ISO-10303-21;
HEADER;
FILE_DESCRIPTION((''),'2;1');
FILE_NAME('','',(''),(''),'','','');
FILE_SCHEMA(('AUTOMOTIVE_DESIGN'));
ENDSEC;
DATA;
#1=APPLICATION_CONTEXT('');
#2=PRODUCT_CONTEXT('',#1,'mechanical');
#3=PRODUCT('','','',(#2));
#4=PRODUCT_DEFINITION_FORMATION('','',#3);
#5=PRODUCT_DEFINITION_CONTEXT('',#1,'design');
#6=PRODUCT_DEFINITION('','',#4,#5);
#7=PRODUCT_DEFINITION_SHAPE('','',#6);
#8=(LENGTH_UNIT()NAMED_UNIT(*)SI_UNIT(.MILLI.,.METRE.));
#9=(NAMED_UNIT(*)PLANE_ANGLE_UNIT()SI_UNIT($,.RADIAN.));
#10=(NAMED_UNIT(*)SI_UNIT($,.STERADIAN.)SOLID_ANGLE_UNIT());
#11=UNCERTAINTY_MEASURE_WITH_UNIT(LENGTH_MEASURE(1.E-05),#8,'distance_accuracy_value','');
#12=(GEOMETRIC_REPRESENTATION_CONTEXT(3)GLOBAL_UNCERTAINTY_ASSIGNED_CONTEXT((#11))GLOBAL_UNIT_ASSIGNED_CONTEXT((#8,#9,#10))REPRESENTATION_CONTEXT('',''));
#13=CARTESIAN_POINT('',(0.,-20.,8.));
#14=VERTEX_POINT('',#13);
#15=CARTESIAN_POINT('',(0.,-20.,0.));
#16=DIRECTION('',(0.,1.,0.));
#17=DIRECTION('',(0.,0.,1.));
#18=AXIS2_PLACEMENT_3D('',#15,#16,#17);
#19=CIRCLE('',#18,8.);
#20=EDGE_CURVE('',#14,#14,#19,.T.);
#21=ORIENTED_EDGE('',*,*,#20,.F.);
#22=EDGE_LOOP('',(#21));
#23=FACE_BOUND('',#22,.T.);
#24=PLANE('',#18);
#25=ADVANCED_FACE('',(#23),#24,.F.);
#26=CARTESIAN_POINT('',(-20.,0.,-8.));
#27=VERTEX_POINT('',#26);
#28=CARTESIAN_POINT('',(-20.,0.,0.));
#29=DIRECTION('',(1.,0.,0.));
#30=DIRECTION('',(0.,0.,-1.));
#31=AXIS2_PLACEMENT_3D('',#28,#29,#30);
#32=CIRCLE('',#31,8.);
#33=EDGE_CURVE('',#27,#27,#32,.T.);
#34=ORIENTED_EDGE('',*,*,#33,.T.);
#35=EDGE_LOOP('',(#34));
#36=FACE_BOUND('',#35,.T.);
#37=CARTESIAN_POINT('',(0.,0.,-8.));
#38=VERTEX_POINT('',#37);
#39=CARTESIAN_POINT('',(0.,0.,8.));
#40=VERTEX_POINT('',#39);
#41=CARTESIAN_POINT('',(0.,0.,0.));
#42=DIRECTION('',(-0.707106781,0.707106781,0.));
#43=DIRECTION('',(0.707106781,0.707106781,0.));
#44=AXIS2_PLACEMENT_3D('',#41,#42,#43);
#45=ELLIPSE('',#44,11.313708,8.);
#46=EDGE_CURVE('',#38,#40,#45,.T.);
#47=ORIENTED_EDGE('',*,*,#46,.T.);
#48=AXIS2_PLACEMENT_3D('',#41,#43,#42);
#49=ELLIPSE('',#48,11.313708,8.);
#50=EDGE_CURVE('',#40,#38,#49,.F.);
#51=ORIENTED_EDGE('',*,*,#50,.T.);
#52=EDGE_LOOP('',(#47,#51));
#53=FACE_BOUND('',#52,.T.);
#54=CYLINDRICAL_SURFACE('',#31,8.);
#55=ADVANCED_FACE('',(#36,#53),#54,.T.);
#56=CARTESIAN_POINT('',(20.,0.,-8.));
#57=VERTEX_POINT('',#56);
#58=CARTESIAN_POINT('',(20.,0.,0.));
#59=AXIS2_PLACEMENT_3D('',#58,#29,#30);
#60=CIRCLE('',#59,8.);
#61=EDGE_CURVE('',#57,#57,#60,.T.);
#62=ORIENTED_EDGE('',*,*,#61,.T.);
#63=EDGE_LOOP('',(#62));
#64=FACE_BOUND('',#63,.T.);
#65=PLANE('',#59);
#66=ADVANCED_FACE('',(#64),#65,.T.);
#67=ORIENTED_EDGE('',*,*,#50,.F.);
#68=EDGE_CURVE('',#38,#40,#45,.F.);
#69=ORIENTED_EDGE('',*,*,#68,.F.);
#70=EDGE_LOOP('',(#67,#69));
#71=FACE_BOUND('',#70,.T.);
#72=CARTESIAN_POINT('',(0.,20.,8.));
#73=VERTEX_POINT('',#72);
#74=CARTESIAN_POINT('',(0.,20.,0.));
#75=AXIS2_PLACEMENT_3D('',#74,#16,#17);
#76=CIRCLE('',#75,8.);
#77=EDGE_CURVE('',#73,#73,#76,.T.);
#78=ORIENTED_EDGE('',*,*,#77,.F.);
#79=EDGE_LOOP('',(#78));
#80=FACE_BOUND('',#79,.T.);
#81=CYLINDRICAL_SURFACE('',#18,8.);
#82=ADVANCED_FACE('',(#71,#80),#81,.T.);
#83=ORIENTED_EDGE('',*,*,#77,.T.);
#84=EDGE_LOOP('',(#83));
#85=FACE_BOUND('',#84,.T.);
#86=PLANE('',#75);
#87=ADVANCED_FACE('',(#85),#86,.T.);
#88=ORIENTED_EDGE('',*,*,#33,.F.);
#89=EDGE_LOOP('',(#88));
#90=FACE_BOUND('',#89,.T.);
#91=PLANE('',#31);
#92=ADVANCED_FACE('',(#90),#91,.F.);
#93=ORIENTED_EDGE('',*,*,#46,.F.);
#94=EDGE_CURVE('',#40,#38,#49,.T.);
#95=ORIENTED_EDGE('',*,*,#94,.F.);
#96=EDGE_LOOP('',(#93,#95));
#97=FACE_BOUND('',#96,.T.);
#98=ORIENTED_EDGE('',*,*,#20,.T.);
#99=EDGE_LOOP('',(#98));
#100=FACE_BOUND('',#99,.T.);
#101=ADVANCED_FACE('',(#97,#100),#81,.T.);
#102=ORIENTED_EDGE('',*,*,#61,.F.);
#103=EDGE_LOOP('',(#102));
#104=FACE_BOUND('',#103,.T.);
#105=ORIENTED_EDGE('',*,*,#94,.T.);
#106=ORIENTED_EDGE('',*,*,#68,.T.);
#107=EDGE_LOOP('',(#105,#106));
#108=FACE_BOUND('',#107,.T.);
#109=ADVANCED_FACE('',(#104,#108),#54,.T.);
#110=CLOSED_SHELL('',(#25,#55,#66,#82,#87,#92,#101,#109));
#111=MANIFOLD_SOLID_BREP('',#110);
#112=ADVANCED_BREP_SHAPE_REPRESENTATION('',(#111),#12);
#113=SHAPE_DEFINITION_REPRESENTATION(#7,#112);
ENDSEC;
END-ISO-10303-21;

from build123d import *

# Parameters (mm, degrees)
BOSS_EXTRUDE1_DEPTH      = 20
BOSS_EXTRUDE1_DEPTH_BACK = 20
SKETCH1_R                = 8
BOSS_EXTRUDE2_DEPTH      = 20
BOSS_EXTRUDE2_DEPTH_BACK = 20
SKETCH3_R                = 8


with BuildPart() as part:
    # Sketch1 → Boss-Extrude1 (new, two sides: drawn at the far end of the back side and taken through both)
    with BuildSketch(Plane(origin=(0, 0, 0), x_dir=(1, 0, 0), z_dir=(0, 1, 0)).offset(-BOSS_EXTRUDE1_DEPTH_BACK)):
        Circle(SKETCH1_R)
    extrude(amount=BOSS_EXTRUDE1_DEPTH + BOSS_EXTRUDE1_DEPTH_BACK)

    # Sketch3 → Boss-Extrude2 (add, two sides: drawn at the far end of the back side and taken through both)
    with BuildSketch(Plane(origin=(0, 0, 0), x_dir=(0, 0, -1), z_dir=(1, 0, 0)).offset(-BOSS_EXTRUDE2_DEPTH_BACK)):
        Circle(SKETCH3_R)
    extrude(amount=BOSS_EXTRUDE2_DEPTH + BOSS_EXTRUDE2_DEPTH_BACK)


solid = part.part
